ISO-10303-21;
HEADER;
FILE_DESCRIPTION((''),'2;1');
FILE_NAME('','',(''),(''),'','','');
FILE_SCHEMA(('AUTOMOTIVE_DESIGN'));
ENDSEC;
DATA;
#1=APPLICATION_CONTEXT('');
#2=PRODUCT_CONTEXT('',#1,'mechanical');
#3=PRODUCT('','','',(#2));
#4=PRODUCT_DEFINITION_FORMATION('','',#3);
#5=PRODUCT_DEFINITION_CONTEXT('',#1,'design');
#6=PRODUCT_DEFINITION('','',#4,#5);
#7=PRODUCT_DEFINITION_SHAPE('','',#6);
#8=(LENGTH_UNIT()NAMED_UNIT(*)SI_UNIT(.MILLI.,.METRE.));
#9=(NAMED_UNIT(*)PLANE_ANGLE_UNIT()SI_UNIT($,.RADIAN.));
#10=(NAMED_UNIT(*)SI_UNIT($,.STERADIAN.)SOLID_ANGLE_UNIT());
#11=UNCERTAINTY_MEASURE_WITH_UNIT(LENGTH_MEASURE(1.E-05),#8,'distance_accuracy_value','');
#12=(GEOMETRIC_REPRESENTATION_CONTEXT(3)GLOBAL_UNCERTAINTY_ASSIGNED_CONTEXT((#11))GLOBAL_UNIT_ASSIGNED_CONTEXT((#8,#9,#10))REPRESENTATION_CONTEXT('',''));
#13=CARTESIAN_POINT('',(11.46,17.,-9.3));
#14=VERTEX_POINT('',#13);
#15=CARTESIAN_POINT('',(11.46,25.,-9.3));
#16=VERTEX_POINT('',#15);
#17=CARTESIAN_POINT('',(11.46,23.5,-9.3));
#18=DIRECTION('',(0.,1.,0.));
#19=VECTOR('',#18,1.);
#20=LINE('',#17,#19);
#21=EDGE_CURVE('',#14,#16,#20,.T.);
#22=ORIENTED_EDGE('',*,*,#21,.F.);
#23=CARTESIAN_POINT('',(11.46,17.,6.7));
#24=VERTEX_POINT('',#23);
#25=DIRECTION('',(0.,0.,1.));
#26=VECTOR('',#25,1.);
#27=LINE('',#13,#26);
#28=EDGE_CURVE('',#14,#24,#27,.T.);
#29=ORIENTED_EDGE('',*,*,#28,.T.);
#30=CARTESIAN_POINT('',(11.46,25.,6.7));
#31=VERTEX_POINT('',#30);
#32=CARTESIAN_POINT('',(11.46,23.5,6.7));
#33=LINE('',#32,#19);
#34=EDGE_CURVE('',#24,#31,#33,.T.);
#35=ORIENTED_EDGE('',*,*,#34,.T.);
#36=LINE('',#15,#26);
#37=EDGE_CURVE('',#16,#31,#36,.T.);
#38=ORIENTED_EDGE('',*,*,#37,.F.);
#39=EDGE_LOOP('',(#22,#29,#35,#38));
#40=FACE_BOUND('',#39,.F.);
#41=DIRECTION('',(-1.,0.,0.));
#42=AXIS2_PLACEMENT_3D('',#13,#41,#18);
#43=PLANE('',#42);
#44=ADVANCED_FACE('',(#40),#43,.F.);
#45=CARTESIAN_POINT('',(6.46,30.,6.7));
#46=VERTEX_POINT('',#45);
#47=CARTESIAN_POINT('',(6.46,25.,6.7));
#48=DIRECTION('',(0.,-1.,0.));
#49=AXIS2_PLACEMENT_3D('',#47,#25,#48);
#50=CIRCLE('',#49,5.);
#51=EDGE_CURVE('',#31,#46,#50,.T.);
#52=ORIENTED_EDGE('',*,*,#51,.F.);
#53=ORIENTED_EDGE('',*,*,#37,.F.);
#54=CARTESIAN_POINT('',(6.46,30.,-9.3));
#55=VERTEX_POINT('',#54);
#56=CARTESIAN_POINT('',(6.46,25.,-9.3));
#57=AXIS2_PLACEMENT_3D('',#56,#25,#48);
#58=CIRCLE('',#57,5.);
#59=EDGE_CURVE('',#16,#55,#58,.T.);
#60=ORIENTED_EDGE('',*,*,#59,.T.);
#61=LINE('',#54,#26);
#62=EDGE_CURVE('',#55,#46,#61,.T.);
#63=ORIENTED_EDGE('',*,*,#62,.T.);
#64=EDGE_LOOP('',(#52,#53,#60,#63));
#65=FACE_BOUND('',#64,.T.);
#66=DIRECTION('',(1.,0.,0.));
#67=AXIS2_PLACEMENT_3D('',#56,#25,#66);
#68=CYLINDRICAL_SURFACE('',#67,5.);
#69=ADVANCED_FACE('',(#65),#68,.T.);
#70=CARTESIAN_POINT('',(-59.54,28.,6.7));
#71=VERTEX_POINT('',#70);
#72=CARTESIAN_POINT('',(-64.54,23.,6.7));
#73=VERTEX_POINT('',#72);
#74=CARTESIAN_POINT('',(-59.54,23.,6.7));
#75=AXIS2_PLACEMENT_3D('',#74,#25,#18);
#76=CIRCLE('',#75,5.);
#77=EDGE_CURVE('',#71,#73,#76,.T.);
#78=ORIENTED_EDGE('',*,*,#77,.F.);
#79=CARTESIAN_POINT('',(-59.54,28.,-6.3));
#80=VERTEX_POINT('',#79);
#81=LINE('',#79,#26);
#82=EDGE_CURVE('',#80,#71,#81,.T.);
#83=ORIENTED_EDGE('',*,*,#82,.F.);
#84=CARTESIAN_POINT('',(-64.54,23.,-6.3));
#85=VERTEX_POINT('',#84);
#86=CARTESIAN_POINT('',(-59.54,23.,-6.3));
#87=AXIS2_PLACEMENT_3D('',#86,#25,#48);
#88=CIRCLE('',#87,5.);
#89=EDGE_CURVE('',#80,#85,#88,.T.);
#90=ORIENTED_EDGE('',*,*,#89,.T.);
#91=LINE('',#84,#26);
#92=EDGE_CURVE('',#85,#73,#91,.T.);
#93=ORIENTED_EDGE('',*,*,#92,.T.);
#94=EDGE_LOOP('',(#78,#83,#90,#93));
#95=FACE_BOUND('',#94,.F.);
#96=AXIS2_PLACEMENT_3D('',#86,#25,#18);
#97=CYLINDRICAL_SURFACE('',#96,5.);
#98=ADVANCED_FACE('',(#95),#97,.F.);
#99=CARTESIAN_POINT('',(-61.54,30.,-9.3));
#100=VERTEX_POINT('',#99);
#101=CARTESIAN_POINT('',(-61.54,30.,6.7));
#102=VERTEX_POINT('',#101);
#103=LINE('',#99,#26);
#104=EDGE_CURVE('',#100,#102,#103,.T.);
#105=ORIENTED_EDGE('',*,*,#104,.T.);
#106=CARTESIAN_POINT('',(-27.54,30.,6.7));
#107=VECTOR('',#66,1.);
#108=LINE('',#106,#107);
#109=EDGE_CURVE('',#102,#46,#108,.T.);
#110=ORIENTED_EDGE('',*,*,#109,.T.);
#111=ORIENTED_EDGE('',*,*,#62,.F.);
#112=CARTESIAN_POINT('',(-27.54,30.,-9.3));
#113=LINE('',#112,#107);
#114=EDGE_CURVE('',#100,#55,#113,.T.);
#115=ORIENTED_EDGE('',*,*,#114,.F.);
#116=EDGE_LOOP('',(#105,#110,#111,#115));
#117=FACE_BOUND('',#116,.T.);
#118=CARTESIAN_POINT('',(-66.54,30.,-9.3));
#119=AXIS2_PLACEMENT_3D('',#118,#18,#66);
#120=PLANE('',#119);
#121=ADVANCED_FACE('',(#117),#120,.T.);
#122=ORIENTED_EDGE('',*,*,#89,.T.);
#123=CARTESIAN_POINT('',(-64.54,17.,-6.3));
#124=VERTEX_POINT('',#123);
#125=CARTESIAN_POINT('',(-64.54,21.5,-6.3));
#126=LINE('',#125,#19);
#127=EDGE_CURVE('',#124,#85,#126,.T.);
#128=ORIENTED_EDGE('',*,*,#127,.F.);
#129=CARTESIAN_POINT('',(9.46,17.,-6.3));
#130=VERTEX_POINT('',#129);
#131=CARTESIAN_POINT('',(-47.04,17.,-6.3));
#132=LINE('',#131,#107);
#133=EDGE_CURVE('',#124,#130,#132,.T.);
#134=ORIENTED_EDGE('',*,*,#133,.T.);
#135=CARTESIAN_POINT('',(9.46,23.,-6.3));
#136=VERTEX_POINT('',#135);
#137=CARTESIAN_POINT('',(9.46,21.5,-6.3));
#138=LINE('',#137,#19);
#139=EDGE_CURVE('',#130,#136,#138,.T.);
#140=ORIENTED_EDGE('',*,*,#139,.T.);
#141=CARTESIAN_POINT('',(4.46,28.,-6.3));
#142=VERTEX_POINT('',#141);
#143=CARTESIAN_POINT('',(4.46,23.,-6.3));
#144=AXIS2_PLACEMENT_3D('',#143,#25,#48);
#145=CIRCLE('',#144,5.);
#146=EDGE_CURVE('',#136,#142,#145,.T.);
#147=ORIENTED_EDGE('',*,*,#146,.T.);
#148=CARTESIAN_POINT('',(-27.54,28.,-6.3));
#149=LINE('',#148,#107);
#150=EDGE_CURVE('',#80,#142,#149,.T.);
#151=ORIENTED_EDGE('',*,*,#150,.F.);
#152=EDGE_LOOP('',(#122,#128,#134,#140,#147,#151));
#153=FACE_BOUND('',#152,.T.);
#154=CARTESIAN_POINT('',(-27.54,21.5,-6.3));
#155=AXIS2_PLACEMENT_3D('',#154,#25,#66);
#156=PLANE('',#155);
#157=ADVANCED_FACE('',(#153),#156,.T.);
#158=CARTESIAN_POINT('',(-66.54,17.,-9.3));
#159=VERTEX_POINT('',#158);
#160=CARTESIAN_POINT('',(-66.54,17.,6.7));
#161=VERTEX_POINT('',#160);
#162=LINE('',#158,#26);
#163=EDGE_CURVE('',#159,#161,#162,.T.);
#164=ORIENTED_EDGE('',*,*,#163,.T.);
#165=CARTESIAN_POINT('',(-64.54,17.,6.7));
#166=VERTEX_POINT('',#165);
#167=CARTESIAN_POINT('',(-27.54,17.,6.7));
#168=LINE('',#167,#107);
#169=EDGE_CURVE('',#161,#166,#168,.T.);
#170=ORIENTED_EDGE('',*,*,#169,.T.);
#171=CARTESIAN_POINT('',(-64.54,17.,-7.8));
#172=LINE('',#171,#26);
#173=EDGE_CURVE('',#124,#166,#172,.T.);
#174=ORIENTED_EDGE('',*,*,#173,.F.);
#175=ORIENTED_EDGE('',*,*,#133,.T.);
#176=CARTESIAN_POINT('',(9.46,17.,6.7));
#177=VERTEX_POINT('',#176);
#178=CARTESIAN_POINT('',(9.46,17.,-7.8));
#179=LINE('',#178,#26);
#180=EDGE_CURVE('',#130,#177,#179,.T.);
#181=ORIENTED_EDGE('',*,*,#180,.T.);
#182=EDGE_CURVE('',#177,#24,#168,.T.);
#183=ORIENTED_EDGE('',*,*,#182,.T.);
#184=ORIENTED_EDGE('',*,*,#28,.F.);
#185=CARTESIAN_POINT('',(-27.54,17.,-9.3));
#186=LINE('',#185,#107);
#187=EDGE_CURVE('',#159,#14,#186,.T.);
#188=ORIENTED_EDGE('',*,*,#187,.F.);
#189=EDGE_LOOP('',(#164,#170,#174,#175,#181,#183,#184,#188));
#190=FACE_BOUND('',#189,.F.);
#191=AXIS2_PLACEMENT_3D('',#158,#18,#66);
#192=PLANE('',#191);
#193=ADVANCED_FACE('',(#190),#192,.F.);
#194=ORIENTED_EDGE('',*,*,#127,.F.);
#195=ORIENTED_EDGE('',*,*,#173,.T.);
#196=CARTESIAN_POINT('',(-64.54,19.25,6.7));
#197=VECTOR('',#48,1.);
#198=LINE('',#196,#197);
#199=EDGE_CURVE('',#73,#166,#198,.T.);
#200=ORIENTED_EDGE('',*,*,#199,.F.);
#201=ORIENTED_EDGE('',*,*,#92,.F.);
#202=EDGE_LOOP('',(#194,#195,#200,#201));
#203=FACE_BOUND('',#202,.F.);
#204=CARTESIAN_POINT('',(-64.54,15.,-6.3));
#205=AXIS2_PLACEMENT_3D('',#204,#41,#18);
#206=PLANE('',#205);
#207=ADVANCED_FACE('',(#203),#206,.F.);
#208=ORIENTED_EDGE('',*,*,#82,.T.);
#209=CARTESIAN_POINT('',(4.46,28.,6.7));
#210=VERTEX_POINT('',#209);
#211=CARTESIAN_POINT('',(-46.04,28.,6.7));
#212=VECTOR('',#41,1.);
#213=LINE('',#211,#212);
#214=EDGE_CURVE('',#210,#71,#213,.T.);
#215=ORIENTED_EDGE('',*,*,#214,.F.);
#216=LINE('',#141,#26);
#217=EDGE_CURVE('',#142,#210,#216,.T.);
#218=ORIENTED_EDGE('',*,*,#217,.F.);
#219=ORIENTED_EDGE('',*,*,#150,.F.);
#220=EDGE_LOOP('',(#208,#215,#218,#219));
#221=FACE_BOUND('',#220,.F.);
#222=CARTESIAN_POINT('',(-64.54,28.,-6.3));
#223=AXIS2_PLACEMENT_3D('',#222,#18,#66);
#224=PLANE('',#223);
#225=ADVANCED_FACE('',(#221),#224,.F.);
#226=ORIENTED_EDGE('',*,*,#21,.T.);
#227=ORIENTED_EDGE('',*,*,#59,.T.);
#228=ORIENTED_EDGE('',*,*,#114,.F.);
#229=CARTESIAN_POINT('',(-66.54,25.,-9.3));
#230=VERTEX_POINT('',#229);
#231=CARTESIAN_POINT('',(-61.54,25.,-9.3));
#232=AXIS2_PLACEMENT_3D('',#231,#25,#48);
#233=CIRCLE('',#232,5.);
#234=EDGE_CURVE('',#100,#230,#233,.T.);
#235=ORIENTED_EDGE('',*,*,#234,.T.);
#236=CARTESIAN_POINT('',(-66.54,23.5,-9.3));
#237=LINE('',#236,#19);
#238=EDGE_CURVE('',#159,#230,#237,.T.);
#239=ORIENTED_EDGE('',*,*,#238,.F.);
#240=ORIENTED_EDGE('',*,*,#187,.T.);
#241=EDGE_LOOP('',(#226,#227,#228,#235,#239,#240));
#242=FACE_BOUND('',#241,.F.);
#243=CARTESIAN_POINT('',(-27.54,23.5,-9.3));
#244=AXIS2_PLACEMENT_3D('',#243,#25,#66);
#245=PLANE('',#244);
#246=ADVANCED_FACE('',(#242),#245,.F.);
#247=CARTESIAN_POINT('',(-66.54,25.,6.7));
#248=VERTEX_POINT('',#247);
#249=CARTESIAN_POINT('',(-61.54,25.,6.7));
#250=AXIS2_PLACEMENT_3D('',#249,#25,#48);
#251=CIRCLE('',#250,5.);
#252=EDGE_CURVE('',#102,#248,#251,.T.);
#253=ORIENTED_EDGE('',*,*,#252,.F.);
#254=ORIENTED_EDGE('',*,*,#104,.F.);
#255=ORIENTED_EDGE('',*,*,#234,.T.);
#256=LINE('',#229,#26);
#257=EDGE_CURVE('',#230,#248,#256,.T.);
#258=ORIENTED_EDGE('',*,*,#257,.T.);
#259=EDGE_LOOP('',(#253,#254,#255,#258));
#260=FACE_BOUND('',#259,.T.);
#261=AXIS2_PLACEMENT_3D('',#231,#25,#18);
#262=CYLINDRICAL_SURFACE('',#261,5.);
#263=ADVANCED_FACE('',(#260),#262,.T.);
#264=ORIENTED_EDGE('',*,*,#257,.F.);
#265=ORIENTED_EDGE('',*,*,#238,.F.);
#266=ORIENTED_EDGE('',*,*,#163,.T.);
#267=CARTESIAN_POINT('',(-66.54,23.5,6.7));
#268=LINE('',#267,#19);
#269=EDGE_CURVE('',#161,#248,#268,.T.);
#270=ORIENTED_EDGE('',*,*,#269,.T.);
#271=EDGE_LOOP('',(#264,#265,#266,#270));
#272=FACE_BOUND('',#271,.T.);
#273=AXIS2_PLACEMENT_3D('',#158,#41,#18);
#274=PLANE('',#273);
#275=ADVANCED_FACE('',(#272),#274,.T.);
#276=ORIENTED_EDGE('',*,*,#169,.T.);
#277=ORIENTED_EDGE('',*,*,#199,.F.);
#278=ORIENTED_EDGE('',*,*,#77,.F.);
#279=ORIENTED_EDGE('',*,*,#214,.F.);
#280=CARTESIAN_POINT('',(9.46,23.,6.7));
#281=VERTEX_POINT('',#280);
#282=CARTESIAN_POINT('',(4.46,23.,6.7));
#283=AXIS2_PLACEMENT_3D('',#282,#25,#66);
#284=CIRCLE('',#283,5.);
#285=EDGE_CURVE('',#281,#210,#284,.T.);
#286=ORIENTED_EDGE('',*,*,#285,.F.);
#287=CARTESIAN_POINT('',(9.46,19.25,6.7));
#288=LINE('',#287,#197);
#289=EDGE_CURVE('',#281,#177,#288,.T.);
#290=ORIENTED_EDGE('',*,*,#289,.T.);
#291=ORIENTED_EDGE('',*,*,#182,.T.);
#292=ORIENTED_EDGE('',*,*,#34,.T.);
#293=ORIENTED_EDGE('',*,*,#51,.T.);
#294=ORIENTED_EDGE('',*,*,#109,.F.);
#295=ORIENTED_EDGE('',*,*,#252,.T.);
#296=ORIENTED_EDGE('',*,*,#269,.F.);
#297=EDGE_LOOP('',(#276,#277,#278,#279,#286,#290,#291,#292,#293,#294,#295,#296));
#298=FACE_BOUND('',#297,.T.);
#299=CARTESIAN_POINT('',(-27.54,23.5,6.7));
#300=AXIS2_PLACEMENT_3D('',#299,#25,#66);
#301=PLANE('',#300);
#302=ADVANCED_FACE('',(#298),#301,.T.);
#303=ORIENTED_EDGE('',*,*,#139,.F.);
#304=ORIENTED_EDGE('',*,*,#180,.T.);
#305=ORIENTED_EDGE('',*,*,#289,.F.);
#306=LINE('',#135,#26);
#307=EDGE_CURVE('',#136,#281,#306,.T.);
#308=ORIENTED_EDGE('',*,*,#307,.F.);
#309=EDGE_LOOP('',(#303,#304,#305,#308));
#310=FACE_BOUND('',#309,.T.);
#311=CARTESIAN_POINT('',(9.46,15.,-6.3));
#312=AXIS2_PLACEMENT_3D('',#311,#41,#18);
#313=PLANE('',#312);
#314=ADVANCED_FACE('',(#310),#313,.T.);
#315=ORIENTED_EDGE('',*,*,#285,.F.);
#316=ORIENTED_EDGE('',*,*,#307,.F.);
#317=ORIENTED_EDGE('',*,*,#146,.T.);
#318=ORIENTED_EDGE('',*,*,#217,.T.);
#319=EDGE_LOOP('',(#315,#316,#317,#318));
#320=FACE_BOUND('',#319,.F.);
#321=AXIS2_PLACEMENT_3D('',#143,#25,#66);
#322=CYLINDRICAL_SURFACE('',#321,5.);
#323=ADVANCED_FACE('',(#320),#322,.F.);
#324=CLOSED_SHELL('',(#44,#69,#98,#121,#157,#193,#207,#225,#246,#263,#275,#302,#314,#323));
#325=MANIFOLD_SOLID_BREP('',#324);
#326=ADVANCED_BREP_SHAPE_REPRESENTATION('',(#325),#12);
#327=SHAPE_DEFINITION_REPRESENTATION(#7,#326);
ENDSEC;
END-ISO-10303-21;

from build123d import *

# Parameters (mm, degrees)
BOX001_W     = 74
BOX001_H     = 13
BOX001_DEPTH = 14
FILLET007_R  = 5
FILLET008_R  = 5
BOX_W        = 78
BOX_H        = 13
BOX_DEPTH    = 16
FILLET_R     = 5
FILLET006_R  = 5


with BuildPart() as fillet008:
    # Box001 → Box001 (new body)
    with BuildSketch(Plane(origin=(-65, 17, -11.5), x_dir=(1, 0, 0), z_dir=(0, 0, 1))):
        with Locations((37, 6.5)):
            Rectangle(BOX001_W, BOX001_H)
    extrude(amount=BOX001_DEPTH)

    # Fillet007
    fillet007_edges = [fillet008.edges().sort_by_distance(p)[0] for p in [
        (9, 30, -4.5),
    ]]
    fillet(fillet007_edges, radius=FILLET007_R)

    # Fillet008
    fillet008_edges = [fillet008.edges().sort_by_distance(p)[0] for p in [
        (-65, 30, -4.5),
    ]]
    fillet(fillet008_edges, radius=FILLET008_R)


with BuildPart() as fillet008_1:
    # Fillet008 placement: moved
    add(fillet008.part.moved(Location((2, -2, 1))))


with BuildPart() as i2c_hosting:
    # Box → Box (new body)
    with BuildSketch(Plane(origin=(-65, 17, -13.5), x_dir=(1, 0, 0), z_dir=(0, 0, 1))):
        with Locations((39, 6.5)):
            Rectangle(BOX_W, BOX_H)
    extrude(amount=BOX_DEPTH)

    # Fillet
    fillet_edges = [i2c_hosting.edges().sort_by_distance(p)[0] for p in [
        (13, 30, -5.5),
    ]]
    fillet(fillet_edges, radius=FILLET_R)

    # Fillet006
    fillet006_edges = [i2c_hosting.edges().sort_by_distance(p)[0] for p in [
        (-65, 30, -5.5),
    ]]
    fillet(fillet006_edges, radius=FILLET006_R)

    # Cut: cut Fillet008
    add(fillet008_1.part, mode=Mode.SUBTRACT)


with BuildPart() as i2c_hosting_1:
    # Cut placement: moved
    add(i2c_hosting.part.moved(Location((-1.54, 0, 4.2))))


solid = i2c_hosting_1.part
